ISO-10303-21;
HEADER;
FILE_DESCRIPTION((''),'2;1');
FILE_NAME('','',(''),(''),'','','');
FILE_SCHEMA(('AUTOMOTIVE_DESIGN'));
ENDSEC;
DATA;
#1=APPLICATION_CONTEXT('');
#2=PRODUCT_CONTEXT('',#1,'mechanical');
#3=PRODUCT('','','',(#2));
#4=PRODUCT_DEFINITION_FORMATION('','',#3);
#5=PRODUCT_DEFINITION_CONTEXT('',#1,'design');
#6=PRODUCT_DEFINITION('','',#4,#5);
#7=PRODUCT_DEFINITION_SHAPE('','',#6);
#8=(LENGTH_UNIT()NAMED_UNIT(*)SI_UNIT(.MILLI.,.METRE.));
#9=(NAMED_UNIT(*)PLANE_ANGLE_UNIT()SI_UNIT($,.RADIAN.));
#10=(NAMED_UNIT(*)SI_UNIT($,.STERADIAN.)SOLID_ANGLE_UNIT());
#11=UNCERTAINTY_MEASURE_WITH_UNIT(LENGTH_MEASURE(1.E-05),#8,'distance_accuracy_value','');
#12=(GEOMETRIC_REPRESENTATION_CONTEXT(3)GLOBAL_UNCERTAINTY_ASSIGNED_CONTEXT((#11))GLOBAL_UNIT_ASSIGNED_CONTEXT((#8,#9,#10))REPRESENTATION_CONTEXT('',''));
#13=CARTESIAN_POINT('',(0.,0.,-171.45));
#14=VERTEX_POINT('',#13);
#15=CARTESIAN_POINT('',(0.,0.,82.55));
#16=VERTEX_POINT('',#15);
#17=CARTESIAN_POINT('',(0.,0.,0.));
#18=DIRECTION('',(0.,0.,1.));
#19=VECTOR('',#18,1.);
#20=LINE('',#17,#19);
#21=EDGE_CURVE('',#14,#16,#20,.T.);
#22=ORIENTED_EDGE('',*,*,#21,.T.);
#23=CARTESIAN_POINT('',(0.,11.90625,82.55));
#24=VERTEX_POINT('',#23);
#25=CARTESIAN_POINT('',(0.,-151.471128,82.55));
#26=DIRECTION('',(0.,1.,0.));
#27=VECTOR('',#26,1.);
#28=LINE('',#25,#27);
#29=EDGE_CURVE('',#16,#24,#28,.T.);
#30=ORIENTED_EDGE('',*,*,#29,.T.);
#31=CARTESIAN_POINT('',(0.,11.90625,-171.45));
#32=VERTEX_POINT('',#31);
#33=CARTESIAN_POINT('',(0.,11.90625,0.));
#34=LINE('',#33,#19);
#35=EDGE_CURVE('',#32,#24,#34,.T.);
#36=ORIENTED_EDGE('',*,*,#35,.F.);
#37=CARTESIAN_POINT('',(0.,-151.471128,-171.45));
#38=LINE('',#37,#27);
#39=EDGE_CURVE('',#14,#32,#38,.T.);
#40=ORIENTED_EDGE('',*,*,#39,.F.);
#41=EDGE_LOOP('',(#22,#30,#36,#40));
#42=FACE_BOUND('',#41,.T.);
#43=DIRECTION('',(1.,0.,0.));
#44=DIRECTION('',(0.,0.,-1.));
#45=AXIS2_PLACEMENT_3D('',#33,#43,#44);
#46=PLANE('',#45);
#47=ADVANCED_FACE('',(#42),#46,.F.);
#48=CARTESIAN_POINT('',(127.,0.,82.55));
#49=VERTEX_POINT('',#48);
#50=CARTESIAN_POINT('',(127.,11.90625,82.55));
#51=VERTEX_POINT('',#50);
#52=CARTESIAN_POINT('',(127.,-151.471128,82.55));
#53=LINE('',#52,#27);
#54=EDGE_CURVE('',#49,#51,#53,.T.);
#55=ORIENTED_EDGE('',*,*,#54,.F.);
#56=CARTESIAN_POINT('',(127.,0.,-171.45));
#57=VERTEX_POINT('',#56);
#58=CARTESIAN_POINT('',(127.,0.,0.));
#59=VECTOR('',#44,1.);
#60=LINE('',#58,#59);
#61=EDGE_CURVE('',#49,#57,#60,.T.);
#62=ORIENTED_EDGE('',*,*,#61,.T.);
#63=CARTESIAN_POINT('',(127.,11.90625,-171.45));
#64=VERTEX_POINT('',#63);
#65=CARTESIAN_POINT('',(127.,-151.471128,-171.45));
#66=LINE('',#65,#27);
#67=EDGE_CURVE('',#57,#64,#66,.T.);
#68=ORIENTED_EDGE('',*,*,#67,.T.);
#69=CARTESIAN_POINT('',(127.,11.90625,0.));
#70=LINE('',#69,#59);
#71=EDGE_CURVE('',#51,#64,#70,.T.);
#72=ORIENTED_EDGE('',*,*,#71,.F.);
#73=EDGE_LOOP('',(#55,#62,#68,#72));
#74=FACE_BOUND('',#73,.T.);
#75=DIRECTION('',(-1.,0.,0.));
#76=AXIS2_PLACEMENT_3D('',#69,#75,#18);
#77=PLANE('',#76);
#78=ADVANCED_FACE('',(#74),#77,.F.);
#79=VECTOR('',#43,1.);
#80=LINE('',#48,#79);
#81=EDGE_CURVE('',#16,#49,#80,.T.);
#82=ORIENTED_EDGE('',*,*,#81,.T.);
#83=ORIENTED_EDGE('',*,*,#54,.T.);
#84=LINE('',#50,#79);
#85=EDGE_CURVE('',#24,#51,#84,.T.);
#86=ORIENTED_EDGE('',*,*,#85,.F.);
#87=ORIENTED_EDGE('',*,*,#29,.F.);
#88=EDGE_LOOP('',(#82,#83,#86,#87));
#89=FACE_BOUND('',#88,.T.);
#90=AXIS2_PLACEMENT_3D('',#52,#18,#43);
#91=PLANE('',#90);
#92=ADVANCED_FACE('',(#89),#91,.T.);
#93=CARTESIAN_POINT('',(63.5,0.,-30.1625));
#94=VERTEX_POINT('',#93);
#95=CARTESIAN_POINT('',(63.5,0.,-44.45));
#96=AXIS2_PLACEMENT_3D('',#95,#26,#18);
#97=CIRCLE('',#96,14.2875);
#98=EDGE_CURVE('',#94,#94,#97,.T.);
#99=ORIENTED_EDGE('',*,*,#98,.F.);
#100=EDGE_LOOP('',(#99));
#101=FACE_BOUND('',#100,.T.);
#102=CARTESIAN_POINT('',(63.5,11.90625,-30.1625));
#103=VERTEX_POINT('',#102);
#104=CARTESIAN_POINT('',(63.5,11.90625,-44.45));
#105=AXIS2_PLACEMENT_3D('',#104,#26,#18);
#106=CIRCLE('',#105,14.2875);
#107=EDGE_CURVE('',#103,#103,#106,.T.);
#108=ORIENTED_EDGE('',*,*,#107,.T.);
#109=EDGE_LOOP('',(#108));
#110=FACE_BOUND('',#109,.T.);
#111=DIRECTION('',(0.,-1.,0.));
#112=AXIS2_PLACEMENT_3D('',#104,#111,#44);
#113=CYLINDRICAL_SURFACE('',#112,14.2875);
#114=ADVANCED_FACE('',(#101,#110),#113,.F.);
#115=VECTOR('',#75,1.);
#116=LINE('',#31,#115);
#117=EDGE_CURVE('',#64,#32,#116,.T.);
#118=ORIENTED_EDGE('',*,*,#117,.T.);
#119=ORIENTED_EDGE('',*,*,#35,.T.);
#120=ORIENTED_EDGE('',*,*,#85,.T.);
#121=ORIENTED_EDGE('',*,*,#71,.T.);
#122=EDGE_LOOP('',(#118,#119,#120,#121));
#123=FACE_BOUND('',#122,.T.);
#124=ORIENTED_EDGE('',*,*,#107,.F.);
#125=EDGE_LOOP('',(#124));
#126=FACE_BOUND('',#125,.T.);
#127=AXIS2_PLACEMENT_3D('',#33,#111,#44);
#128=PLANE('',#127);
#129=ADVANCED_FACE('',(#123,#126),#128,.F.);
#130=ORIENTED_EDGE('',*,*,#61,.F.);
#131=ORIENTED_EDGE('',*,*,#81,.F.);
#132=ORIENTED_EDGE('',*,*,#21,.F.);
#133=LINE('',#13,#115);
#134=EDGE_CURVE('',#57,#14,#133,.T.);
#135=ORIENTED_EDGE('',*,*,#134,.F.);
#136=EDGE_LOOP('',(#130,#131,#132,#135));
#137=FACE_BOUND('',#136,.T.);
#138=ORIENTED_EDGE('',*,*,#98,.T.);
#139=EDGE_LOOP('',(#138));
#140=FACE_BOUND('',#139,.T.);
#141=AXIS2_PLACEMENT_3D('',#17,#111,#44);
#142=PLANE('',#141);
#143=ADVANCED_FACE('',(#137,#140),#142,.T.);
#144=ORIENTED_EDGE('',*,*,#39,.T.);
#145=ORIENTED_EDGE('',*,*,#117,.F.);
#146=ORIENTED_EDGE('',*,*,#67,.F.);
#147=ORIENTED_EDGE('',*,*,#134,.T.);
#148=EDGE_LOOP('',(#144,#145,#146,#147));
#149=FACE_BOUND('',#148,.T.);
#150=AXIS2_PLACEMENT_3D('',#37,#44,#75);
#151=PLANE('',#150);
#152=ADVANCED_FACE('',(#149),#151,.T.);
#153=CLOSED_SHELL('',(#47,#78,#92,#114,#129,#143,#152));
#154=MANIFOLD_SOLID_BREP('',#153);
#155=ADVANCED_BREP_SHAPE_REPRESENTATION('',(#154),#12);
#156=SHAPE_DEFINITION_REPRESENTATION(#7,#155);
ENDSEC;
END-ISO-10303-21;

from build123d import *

# Parameters (mm, degrees)
SKETCH1_W           = 127
SKETCH1_H           = 88.9
SKETCH1_R           = 14.2875
BOSS_EXTRUDE1_DEPTH = 11.90625
SKETCH2_W           = 127
SKETCH2_H           = 82.55
BOSS_EXTRUDE2_DEPTH = 11.90625


with BuildPart() as part:
    # Sketch1 → Boss-Extrude1 (new body)
    with BuildSketch(Plane(origin=(0, 0, 0), x_dir=(1, 0, 0), z_dir=(0, 1, 0))):
        with Locations((63.5, 44.45)):
            Rectangle(SKETCH1_W, SKETCH1_H)
        with Locations(Location((63.5, 44.45, 0), (0, 0, 270))):
            Circle(SKETCH1_R, mode=Mode.SUBTRACT)
    extrude(amount=BOSS_EXTRUDE1_DEPTH)

    # Sketch2 → Boss-Extrude2 (add)
    with BuildSketch(Plane(origin=(0, 11.90625, 0), x_dir=(1, 0, 0), z_dir=(0, 1, 0))):
        with Locations((63.5, 130.175)):
            Rectangle(SKETCH2_W, SKETCH2_H)
        with Locations((63.5, -41.275)):
            Rectangle(SKETCH2_W, SKETCH2_H)
    extrude(amount=-BOSS_EXTRUDE2_DEPTH)


solid = part.part
